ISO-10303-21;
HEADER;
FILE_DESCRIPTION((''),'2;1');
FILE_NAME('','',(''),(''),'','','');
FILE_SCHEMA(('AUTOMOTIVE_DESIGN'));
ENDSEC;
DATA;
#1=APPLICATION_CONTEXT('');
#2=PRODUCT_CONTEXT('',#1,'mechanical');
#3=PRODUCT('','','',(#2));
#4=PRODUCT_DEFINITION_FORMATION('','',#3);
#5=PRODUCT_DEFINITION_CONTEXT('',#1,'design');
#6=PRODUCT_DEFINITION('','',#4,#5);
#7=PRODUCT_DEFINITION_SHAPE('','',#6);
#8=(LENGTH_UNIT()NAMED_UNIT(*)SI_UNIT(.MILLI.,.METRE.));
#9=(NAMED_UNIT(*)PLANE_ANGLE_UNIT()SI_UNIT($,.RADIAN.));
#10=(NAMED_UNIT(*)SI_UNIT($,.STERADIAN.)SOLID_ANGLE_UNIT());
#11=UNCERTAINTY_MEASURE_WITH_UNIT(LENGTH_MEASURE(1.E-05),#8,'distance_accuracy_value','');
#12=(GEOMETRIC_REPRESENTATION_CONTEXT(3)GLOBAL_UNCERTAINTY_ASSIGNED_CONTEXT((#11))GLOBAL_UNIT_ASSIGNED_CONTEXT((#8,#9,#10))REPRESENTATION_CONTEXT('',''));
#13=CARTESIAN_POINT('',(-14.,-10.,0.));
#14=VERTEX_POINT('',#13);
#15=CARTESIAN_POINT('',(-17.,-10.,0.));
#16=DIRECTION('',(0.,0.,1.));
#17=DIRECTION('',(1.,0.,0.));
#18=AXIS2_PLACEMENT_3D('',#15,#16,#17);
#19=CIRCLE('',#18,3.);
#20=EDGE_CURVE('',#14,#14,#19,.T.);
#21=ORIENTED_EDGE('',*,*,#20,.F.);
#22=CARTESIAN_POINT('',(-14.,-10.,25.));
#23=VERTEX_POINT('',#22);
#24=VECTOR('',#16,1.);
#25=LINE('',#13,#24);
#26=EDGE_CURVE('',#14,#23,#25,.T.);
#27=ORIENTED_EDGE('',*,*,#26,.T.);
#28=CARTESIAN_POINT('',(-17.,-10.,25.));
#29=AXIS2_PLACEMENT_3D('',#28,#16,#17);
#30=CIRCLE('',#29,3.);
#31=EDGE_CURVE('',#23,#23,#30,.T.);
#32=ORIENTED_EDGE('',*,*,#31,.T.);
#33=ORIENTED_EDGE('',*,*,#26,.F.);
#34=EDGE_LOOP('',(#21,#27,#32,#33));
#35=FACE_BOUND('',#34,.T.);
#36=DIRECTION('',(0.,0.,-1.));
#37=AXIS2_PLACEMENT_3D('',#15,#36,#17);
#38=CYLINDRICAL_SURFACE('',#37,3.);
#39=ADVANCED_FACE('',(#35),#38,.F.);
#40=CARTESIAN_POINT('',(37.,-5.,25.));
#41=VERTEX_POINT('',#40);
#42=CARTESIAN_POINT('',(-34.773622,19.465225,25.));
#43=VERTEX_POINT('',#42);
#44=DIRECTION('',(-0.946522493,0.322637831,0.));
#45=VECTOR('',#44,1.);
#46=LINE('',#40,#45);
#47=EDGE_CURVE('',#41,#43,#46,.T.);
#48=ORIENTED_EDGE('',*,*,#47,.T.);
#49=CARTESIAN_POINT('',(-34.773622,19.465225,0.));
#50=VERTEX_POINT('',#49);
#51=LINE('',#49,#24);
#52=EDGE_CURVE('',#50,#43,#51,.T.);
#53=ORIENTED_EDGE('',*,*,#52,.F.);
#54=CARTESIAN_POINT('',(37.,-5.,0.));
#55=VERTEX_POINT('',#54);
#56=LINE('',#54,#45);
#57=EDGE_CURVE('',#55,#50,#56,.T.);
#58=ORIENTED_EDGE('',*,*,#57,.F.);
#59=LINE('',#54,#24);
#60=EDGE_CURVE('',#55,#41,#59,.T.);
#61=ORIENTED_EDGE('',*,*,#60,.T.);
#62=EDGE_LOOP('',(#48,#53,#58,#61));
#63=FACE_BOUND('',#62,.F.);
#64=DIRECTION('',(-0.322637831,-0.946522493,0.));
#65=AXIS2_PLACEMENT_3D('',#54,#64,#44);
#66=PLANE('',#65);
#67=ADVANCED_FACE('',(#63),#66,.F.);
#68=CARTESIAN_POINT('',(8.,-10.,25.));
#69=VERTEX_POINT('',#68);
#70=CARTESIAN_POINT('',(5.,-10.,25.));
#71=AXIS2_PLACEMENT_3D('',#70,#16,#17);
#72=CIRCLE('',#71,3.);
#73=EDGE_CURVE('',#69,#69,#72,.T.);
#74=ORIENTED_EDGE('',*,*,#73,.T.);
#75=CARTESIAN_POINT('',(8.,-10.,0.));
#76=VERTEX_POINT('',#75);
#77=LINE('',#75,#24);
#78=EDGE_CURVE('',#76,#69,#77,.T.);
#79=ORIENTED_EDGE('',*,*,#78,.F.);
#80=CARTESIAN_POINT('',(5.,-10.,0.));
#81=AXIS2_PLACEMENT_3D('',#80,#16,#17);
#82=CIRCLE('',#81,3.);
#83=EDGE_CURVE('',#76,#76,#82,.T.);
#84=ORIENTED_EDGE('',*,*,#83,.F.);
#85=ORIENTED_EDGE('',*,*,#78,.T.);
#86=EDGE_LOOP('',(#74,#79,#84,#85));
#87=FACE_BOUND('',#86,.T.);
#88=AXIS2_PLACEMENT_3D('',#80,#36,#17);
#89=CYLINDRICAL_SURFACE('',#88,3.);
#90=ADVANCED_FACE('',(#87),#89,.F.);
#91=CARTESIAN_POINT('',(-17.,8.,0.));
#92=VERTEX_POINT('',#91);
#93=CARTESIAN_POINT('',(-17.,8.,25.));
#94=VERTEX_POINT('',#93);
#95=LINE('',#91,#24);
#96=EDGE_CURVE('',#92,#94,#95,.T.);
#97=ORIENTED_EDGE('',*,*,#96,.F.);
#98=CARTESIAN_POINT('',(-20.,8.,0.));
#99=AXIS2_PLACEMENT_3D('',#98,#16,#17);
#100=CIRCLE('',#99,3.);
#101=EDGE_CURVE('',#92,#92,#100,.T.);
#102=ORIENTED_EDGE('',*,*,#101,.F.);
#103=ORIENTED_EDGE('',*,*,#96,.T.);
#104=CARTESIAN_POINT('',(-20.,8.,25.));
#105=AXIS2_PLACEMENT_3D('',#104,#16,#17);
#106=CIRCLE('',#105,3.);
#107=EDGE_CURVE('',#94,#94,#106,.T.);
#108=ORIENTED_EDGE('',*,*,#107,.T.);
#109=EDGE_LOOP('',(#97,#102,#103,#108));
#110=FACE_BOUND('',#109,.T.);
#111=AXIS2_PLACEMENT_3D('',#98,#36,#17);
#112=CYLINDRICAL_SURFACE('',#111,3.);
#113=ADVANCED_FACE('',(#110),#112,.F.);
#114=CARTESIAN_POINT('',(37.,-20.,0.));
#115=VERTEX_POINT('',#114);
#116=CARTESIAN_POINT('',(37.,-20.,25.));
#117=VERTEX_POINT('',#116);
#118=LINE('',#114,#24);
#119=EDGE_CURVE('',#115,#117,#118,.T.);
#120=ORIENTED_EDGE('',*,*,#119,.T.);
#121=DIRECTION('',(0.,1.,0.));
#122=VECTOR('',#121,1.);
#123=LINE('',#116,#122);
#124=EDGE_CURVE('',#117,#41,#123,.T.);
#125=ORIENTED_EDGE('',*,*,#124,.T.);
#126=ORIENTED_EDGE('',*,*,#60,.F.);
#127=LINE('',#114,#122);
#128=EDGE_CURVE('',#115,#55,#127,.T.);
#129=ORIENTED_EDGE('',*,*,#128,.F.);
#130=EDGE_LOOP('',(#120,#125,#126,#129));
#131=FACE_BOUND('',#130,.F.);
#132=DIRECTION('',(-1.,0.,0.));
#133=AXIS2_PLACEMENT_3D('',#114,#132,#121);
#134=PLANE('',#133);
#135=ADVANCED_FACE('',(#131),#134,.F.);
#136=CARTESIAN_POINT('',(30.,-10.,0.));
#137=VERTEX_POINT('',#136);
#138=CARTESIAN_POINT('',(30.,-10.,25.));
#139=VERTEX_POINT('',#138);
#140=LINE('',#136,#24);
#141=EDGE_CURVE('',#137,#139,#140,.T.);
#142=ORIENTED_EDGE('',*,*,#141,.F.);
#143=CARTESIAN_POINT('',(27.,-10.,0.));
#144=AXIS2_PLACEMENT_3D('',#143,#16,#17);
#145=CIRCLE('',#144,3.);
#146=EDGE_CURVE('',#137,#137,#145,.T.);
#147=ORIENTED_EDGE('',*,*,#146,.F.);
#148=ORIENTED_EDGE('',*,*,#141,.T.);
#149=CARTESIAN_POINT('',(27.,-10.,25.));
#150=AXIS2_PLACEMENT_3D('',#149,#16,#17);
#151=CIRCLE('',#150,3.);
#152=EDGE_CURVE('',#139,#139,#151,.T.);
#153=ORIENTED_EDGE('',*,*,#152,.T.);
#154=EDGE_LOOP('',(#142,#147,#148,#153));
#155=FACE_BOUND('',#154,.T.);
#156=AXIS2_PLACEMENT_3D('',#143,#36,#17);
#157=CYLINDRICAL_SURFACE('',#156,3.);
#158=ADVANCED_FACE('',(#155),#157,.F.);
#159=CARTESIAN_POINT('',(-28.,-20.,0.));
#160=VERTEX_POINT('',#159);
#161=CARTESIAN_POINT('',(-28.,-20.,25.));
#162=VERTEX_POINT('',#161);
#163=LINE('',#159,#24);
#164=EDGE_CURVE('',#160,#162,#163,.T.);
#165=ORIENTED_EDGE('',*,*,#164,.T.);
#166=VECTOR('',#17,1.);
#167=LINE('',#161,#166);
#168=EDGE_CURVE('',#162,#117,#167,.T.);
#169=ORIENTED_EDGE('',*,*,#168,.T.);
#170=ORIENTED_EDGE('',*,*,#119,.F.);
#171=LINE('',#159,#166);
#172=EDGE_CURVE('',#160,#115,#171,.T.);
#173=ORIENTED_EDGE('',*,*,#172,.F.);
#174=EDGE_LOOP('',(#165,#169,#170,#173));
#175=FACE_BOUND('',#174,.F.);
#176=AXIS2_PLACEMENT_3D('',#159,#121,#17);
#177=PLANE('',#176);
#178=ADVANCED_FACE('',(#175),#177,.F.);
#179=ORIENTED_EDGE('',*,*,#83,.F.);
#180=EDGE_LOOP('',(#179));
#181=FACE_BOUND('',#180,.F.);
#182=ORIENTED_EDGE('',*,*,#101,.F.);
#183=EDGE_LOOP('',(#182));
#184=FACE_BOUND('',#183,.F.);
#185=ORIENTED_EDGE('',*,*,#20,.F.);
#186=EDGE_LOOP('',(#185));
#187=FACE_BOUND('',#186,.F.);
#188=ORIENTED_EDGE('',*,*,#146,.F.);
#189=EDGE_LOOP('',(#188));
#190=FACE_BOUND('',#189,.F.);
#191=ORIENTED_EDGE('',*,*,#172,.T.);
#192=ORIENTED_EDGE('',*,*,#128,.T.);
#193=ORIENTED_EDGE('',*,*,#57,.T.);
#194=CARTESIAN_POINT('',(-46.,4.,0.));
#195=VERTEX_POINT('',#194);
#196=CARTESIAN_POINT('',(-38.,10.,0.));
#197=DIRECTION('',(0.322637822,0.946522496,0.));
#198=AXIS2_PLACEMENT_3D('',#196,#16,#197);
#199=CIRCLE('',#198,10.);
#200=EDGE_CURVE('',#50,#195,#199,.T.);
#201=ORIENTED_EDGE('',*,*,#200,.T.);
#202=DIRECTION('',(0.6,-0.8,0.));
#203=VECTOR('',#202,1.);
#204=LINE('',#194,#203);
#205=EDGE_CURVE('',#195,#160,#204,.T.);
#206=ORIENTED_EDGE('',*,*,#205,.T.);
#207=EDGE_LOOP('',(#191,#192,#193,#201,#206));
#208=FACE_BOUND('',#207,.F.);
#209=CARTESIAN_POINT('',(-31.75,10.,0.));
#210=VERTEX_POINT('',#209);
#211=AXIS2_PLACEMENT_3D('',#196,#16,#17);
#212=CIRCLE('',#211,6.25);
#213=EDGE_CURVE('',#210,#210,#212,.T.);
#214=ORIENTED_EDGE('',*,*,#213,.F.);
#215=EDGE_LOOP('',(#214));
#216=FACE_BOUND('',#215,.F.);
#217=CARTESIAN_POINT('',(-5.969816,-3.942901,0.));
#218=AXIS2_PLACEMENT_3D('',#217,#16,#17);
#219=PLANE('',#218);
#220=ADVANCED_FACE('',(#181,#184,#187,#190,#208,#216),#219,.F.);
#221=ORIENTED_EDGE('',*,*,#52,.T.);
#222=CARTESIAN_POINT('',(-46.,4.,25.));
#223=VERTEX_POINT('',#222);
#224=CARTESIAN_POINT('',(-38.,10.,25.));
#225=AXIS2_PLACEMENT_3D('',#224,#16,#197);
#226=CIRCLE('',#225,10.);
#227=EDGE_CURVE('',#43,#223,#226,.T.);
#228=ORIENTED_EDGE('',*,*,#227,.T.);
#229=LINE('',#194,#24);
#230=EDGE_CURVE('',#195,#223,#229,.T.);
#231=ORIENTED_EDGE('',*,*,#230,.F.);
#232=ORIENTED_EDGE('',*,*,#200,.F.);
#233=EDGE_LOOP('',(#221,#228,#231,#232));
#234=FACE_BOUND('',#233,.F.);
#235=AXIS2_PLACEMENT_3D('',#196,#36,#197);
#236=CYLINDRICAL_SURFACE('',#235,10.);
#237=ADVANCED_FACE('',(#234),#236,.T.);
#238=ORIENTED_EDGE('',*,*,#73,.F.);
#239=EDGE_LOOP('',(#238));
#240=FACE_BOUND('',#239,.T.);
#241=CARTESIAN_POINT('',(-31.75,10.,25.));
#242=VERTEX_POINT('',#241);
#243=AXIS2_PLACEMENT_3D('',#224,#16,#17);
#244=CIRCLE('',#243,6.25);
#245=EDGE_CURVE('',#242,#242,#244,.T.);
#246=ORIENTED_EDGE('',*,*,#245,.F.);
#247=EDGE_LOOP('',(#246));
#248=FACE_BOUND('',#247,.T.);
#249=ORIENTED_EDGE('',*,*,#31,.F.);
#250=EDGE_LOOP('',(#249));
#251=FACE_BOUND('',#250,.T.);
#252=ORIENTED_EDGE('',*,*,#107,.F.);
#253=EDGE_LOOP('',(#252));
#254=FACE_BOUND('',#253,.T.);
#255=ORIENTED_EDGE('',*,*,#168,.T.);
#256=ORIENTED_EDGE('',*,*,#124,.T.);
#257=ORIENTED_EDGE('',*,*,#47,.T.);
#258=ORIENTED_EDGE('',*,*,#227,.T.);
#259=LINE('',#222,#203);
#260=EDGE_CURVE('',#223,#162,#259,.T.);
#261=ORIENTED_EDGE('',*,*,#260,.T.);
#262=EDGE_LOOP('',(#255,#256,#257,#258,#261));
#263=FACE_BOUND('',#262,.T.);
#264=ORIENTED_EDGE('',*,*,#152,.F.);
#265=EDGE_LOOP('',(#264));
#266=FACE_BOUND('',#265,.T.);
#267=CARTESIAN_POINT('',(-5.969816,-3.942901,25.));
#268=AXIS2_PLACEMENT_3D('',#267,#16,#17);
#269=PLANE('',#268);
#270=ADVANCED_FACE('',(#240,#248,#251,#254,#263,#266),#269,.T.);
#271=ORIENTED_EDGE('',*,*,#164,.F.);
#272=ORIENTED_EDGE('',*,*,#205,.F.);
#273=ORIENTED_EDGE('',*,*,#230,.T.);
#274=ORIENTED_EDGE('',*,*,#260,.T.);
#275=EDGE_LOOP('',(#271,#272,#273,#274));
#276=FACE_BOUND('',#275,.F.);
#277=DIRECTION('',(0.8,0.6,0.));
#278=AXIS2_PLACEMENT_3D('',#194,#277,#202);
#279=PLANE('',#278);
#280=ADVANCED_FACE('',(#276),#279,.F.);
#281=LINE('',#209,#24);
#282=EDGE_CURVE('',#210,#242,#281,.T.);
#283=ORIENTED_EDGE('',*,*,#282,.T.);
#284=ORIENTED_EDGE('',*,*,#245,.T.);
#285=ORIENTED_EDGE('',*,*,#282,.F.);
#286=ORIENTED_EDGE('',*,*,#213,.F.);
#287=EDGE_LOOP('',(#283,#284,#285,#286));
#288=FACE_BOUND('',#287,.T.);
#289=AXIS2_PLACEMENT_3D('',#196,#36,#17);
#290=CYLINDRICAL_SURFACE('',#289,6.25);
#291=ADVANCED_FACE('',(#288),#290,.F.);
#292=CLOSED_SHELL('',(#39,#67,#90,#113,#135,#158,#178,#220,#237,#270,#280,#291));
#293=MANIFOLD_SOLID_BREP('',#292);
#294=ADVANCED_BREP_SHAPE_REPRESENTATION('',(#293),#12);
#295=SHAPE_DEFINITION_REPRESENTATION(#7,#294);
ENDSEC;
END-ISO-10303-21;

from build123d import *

# Parameters (mm, degrees)
F0_R     = 3
F0_R_2   = 6.25
F1_DEPTH = 25


with BuildPart() as f1:
    # F0 (on Top) → F1 (new body)
    with BuildSketch(Plane.XY):
        with BuildLine():
            Line((37, -5), (-34.773622, 19.465225))
            ThreePointArc((-34.773622, 19.465225), (-46.092599, 15.874508), (-46, 4))
            Line((-46, 4), (-28, -20))
            Line((-28, -20), (37, -20))
            Line((37, -20), (37, -5))
        make_face()
        with Locations((-17, -10)):
            Circle(F0_R, mode=Mode.SUBTRACT)
        with Locations((5, -10)):
            Circle(F0_R, mode=Mode.SUBTRACT)
        with Locations((27, -10)):
            Circle(F0_R, mode=Mode.SUBTRACT)
        with Locations((-20, 8)):
            Circle(F0_R, mode=Mode.SUBTRACT)
        with Locations((-38, 10)):
            Circle(F0_R_2, mode=Mode.SUBTRACT)
    extrude(amount=F1_DEPTH)


solid = f1.part
